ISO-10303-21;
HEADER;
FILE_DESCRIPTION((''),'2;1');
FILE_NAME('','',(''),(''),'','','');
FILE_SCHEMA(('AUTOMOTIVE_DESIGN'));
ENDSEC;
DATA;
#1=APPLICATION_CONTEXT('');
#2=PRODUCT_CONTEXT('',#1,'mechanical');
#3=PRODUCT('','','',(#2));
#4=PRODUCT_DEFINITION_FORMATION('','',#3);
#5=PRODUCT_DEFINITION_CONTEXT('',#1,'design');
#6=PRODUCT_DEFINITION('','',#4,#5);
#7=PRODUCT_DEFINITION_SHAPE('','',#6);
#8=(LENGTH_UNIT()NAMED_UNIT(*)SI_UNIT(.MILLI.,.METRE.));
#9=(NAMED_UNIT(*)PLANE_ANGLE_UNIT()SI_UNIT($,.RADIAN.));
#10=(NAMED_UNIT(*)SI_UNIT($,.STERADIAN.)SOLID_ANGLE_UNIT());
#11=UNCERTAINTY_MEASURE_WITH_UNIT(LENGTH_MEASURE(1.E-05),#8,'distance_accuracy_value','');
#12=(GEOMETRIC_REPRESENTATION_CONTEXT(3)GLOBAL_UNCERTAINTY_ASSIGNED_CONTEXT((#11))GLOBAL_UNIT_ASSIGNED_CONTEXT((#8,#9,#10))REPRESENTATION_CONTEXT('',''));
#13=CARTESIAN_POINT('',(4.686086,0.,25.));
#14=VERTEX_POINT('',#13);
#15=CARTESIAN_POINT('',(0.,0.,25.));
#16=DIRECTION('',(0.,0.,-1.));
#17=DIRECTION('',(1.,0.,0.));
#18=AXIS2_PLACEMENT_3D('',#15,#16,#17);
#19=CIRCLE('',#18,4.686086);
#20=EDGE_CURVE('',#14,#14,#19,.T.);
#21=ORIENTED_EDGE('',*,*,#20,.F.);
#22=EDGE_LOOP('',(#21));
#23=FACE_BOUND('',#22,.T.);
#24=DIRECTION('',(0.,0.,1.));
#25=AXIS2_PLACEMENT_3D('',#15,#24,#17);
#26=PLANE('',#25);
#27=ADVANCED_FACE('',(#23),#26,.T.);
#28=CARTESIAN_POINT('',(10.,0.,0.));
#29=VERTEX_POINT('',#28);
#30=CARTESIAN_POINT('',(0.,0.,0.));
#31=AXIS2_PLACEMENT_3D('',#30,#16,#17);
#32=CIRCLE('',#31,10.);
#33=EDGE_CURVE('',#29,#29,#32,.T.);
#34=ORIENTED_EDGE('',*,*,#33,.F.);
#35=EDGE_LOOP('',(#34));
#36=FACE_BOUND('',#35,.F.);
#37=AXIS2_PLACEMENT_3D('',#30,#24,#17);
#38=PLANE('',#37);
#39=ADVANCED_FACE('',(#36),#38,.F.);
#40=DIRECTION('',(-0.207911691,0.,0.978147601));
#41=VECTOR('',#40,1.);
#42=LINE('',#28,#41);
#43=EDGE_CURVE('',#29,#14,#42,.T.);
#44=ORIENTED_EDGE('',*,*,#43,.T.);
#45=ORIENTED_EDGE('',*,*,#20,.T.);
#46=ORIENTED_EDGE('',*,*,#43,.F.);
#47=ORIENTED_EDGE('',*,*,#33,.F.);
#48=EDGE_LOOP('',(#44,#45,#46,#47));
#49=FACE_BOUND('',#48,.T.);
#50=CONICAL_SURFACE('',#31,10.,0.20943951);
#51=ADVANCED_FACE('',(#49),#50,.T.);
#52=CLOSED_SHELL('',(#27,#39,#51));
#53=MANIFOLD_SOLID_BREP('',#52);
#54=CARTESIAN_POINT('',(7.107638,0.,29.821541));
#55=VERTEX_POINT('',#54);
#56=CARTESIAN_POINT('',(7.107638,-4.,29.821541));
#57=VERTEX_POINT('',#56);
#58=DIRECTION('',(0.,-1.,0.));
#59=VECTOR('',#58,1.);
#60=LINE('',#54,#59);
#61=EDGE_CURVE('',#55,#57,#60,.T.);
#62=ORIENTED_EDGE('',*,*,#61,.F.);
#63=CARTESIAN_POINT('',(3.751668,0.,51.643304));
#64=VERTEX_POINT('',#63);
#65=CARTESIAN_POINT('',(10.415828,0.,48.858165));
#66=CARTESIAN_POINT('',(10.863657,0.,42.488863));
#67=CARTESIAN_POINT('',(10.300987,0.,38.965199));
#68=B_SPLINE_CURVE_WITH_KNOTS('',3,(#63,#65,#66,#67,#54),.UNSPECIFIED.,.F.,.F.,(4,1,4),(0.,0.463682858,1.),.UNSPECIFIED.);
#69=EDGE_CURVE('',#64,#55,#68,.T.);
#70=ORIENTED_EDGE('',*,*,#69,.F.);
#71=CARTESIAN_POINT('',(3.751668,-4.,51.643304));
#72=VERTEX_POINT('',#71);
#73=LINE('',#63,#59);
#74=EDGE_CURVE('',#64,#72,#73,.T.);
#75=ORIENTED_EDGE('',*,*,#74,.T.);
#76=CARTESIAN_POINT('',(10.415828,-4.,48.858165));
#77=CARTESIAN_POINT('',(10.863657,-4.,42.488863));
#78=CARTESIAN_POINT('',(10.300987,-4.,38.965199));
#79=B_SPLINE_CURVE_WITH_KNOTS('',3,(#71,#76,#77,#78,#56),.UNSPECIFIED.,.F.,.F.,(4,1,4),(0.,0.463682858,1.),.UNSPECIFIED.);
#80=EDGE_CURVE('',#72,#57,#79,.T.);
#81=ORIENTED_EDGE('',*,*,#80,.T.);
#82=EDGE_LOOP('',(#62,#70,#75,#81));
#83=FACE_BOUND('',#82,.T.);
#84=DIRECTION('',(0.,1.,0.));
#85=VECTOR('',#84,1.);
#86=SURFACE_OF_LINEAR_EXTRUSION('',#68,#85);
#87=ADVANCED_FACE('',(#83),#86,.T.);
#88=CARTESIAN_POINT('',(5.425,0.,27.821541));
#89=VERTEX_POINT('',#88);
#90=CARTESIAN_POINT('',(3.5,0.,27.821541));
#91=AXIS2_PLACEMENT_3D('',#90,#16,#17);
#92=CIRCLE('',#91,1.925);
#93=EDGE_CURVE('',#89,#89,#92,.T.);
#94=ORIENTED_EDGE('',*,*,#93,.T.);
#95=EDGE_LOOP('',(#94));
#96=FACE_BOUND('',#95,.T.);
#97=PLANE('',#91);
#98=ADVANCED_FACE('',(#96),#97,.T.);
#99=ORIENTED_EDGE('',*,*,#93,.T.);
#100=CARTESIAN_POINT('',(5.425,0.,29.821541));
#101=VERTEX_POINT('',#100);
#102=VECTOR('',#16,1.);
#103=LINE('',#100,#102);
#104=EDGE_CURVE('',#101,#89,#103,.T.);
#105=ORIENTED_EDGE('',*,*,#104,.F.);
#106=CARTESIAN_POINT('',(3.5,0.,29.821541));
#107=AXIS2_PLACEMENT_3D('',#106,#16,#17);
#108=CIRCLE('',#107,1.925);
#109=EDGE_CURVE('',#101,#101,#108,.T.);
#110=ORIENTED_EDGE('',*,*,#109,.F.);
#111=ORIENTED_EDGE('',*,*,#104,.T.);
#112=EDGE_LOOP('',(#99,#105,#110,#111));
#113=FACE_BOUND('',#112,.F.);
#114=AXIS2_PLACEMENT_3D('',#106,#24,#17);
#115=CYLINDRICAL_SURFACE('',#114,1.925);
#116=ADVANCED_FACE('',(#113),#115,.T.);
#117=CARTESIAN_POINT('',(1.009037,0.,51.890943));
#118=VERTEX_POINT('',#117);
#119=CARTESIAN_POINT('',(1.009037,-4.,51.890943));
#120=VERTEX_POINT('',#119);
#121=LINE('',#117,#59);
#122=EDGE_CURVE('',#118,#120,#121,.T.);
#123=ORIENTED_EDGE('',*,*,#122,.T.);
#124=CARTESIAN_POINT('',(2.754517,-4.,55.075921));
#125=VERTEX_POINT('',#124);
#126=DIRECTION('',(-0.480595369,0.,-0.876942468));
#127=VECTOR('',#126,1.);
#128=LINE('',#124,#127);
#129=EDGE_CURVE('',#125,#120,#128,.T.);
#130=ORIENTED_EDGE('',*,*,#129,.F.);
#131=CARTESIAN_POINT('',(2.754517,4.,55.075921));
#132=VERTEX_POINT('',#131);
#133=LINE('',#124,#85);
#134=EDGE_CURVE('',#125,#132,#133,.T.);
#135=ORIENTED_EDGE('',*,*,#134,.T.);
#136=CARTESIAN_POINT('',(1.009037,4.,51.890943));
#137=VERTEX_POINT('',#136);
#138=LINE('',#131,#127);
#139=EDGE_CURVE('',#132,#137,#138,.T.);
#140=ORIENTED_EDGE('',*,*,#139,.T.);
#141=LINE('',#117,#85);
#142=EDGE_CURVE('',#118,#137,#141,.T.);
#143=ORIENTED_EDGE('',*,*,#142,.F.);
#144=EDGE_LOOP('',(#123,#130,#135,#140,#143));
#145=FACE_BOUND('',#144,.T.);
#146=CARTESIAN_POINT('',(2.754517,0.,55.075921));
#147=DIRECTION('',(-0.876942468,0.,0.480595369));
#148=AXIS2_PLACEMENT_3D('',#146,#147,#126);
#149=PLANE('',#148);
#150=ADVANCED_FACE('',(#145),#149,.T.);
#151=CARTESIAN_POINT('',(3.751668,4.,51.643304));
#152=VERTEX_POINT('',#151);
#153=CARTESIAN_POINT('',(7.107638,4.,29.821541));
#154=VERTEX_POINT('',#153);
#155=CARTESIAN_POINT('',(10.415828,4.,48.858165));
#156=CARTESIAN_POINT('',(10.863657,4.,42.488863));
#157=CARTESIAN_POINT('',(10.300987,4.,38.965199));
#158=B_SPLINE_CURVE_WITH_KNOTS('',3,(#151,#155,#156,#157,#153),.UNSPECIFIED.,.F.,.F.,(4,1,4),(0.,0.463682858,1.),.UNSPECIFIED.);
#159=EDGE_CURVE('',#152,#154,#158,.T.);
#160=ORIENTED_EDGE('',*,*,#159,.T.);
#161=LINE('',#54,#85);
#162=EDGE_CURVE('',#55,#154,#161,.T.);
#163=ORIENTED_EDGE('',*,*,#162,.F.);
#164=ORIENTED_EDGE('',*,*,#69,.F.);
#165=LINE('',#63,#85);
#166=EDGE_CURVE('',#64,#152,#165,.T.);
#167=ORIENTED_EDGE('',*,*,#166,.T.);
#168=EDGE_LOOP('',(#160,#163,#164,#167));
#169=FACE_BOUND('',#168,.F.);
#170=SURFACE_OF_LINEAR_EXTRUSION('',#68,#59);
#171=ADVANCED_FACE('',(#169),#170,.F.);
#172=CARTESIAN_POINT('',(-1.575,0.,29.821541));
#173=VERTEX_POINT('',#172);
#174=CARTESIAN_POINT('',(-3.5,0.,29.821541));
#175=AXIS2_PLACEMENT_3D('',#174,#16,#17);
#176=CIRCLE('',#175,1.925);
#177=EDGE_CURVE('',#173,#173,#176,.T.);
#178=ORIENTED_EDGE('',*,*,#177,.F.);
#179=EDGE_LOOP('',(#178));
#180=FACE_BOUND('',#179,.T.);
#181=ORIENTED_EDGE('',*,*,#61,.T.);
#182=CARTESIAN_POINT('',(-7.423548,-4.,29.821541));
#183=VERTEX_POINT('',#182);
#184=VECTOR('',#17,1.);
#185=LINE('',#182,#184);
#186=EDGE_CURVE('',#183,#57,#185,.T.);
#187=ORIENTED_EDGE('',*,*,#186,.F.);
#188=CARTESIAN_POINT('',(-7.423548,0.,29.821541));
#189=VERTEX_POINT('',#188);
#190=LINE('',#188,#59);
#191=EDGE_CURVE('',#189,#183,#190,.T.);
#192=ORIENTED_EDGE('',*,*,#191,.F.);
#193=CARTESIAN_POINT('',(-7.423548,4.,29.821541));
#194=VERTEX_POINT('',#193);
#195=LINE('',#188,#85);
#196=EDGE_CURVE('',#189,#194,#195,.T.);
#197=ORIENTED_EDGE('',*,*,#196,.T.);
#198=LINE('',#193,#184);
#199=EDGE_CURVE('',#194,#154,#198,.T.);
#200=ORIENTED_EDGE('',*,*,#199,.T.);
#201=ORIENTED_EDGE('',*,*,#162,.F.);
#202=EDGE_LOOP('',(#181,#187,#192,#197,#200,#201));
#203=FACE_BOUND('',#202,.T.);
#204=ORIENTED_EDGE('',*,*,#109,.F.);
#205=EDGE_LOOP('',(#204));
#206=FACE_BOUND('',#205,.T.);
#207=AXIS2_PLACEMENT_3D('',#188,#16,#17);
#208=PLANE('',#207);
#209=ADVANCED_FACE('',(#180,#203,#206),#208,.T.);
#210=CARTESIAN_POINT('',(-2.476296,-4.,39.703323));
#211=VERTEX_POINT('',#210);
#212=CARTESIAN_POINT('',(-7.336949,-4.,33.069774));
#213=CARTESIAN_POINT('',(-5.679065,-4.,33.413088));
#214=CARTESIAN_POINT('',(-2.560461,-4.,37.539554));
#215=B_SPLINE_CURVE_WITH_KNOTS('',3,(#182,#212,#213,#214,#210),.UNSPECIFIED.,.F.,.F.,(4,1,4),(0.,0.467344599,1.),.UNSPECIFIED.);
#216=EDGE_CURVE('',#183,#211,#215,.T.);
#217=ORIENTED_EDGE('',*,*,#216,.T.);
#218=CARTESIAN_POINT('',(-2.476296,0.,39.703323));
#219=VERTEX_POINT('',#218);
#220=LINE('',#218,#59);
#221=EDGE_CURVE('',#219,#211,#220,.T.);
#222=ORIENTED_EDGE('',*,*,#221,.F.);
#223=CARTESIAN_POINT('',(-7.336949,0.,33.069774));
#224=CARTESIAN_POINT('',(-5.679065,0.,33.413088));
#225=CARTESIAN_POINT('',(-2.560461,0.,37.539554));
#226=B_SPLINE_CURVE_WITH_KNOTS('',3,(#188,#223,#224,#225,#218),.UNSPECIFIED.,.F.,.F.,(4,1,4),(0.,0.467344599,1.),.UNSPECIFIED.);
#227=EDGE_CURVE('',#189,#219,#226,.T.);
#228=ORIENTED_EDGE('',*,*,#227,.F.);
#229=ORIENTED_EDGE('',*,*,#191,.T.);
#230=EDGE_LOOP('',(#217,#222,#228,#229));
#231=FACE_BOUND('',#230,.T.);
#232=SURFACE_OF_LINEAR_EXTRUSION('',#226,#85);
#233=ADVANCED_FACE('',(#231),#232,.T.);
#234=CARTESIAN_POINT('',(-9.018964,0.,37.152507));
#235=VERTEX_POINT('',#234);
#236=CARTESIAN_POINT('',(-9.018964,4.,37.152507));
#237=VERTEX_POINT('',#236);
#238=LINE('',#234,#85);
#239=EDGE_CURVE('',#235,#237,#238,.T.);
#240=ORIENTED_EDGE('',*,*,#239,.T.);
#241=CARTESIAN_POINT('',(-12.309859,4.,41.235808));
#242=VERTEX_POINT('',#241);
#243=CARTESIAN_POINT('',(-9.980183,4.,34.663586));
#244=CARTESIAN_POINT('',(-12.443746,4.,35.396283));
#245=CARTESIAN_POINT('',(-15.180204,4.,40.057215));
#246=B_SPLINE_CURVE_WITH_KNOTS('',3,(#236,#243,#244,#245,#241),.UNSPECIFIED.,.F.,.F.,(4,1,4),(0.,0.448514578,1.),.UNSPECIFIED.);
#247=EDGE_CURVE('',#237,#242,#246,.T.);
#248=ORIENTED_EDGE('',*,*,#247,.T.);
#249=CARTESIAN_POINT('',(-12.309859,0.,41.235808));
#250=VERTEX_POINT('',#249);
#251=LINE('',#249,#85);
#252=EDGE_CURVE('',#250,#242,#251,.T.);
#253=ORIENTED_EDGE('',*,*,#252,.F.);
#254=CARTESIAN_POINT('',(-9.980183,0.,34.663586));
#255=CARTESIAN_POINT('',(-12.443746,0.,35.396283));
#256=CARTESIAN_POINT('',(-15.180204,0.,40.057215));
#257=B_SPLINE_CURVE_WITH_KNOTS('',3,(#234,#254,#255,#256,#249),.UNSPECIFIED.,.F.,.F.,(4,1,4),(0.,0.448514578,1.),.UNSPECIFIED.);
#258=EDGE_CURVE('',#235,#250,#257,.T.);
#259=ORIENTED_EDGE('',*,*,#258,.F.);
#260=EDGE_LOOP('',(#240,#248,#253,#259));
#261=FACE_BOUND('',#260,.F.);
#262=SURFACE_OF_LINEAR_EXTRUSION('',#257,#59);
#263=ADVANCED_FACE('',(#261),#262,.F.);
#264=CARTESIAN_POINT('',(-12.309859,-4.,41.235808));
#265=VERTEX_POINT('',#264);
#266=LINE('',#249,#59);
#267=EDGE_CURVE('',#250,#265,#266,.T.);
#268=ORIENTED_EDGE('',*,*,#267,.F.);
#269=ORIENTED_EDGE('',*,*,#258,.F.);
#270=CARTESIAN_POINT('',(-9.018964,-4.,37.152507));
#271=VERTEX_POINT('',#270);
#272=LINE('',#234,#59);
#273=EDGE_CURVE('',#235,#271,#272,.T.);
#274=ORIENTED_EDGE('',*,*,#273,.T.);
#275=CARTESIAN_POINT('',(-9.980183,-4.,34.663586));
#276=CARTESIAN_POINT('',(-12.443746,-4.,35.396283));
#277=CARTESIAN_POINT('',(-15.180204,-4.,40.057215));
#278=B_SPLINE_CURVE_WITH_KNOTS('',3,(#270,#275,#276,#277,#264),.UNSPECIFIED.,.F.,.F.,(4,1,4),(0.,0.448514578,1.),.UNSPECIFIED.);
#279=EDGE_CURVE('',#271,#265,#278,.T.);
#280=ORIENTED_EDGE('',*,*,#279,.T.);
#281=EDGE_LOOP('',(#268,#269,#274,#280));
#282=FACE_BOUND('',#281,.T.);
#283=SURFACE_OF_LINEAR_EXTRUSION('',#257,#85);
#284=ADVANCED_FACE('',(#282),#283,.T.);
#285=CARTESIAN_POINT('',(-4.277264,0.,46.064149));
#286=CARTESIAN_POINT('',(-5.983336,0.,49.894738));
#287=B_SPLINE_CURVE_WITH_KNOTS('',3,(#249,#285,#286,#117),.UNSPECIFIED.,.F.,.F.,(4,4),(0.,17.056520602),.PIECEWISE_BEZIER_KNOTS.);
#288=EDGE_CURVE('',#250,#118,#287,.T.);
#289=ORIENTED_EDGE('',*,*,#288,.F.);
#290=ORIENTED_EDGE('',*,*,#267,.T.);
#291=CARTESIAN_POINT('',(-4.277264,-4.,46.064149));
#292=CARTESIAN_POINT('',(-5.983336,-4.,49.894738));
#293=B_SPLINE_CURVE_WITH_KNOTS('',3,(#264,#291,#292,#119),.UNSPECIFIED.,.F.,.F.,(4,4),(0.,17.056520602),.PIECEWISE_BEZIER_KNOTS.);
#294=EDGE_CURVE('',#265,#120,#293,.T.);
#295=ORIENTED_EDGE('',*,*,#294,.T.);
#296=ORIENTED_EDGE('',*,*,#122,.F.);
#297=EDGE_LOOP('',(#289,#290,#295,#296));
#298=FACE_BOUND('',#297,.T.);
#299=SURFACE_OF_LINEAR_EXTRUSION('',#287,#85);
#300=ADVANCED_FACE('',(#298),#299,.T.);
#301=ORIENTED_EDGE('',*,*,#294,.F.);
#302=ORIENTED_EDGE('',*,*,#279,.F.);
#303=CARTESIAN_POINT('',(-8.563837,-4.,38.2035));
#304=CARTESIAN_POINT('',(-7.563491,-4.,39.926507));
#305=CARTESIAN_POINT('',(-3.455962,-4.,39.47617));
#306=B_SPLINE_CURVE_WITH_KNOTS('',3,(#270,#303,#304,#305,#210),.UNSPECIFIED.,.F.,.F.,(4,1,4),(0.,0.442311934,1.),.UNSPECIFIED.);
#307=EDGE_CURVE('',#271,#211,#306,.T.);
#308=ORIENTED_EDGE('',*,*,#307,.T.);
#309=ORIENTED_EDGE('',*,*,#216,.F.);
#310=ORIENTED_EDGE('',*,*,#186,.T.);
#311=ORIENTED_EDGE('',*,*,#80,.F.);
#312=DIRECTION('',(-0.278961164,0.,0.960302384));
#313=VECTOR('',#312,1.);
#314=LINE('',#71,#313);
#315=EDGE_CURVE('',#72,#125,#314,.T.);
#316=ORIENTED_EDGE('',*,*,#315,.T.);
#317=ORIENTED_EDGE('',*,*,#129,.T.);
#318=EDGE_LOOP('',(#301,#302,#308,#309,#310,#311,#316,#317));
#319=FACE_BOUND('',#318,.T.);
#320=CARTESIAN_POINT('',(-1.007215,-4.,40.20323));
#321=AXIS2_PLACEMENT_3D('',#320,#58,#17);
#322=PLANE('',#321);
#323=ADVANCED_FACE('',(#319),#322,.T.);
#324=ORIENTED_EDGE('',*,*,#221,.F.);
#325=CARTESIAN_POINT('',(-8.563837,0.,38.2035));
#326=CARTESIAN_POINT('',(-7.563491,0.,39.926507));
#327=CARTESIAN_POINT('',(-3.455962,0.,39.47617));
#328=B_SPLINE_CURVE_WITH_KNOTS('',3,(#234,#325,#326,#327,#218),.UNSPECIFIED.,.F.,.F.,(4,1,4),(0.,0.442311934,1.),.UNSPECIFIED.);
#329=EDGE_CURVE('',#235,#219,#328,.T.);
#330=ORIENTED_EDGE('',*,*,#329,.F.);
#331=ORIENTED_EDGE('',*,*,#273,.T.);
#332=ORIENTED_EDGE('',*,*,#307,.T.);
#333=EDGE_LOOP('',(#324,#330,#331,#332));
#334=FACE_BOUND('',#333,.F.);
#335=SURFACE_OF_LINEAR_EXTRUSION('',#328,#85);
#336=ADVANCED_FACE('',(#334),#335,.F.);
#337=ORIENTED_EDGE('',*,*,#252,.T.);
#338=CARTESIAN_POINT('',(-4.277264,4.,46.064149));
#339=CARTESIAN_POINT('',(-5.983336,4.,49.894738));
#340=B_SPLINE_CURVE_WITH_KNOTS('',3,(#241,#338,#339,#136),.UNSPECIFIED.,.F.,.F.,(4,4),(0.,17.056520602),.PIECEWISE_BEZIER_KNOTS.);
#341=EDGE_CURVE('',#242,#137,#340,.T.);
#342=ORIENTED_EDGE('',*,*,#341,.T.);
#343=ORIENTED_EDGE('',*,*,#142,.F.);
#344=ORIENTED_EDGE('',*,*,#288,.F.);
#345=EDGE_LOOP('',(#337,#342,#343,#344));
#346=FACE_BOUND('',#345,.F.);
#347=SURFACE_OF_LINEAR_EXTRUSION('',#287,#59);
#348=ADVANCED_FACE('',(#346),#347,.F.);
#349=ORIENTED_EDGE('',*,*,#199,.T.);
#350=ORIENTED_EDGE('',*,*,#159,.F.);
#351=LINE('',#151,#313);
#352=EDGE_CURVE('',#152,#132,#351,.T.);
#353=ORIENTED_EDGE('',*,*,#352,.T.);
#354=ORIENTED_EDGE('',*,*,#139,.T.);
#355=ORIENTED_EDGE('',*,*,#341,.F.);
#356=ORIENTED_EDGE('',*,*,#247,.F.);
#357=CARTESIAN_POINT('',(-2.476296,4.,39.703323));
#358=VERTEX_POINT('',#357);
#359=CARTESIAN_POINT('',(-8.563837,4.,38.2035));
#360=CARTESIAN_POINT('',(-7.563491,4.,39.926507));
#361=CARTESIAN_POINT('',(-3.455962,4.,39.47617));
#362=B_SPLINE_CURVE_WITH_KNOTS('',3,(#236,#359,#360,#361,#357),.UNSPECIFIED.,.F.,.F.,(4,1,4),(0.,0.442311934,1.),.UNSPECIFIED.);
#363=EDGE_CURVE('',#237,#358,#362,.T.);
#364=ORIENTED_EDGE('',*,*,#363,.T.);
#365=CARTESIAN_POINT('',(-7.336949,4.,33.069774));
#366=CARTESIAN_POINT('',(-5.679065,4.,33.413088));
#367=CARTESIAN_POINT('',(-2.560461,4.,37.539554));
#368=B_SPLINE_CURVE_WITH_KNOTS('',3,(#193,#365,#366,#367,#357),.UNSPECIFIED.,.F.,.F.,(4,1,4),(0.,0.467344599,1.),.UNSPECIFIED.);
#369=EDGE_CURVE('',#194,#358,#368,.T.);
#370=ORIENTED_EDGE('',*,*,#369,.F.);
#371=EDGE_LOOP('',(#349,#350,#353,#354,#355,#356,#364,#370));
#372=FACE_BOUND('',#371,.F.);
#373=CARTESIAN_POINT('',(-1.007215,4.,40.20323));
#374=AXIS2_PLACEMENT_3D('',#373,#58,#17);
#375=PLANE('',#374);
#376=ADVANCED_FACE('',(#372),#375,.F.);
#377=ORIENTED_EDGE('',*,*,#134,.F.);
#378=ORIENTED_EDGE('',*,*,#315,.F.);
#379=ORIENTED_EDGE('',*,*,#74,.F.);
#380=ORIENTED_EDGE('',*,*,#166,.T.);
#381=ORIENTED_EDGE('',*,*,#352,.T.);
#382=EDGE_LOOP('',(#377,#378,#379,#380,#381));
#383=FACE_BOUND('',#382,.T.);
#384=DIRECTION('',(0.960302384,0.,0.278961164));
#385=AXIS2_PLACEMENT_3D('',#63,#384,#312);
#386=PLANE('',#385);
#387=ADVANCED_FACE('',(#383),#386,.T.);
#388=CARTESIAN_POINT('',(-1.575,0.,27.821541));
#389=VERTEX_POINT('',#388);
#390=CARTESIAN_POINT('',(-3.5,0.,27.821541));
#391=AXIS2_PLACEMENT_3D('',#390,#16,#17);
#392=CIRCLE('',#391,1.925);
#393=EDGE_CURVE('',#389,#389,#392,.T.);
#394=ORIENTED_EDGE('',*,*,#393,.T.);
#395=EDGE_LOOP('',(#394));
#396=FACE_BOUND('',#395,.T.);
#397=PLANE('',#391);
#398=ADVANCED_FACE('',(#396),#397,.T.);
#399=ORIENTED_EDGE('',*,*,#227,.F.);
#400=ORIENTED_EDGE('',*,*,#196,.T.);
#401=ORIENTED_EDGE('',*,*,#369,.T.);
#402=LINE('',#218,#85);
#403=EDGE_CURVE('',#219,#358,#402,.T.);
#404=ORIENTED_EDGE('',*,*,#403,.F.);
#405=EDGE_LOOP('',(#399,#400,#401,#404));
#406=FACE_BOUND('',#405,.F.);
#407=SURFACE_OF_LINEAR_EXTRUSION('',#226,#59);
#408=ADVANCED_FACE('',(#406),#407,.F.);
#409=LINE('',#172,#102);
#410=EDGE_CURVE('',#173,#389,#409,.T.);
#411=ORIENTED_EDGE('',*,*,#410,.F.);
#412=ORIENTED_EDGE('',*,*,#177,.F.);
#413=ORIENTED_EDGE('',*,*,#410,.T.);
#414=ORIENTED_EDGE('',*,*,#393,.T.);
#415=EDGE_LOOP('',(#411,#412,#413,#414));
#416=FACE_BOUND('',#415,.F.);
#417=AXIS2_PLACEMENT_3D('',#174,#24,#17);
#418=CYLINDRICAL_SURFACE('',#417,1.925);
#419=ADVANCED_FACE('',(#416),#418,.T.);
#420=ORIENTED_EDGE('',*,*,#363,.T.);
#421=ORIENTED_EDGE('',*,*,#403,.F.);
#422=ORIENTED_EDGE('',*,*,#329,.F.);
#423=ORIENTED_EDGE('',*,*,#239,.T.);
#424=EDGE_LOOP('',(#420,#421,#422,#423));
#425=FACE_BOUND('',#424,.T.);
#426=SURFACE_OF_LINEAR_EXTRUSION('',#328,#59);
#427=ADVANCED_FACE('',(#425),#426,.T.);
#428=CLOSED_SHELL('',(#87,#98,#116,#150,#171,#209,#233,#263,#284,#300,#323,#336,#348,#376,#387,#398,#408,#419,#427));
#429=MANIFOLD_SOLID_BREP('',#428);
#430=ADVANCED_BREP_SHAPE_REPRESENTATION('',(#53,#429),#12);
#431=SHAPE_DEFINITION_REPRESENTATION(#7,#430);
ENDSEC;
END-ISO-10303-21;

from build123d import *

# Parameters (mm, degrees)
F3_R     = 10
F4_DEPTH = 25
F4_TAPER = 12
F6_DEPTH = 4
F7_R     = 1.925
F8_DEPTH = 2


with BuildPart() as f4:
    # F3 (on Top) → F4 (new body)
    with BuildSketch(Plane.XY):
        Circle(F3_R)
    extrude(amount=F4_DEPTH, taper=F4_TAPER)


with BuildPart() as f6:
    # F5 (on Front) → F6 (new body, symmetric)
    with BuildSketch(Plane.XZ):
        with BuildLine():
            Line((2.7545168996, 55.0759210778), (1.0090367869, 51.890943159))
            add(Edge.make_bspline(
                [(-12.3098591853, 41.2358080065), (-4.2772642086, 46.0641489872), (-5.9833362078, 49.8947376602), (1.0090367869, 51.890943159)],
                knots=[0, 0, 0, 0, 17.0565206016, 17.0565206016, 17.0565206016, 17.0565206016], degree=3))
            add(Edge.make_bspline(
                [(-9.0189639417, 37.1525069193), (-9.9801826199, 34.6635860085), (-12.4437455483, 35.3962825063), (-15.1802037206, 40.0572151531), (-12.3098591853, 41.2358080065)],
                knots=[0, 0, 0, 0, 0.4485145781, 1, 1, 1, 1], degree=3))
            add(Edge.make_bspline(
                [(-9.0189639417, 37.1525069193), (-8.5638371082, 38.2034996324), (-7.5634908743, 39.9265074419), (-3.4559620028, 39.4761695976), (-2.4762957511, 39.7033232817)],
                knots=[0, 0, 0, 0, 0.4423119337, 1, 1, 1, 1], degree=3))
            add(Edge.make_bspline(
                [(-7.4235480266, 29.8215409847), (-7.3369486536, 33.0697739436), (-5.6790646776, 33.4130882805), (-2.5604610159, 37.5395536743), (-2.4762957511, 39.7033232817)],
                knots=[0, 0, 0, 0, 0.4673445989, 1, 1, 1, 1], degree=3))
            Line((-7.4235480266, 29.8215409847), (7.107638139, 29.8215409847))
            add(Edge.make_bspline(
                [(3.7516681477, 51.6433044864), (10.4158277179, 48.8581646653), (10.8636567466, 42.4888634106), (10.3009866199, 38.9651989585), (7.107638139, 29.8215409847)],
                knots=[0, 0, 0, 0, 0.4636828584, 1, 1, 1, 1], degree=3))
            Line((3.7516681477, 51.6433044864), (2.7545168996, 55.0759210778))
        make_face()
    extrude(amount=F6_DEPTH, both=True)

    # F7 (on face) → F8 (join)
    with BuildSketch(Plane(origin=(0, 0, 29.8215409847), x_dir=(1, 0, 0), z_dir=(0, 0, -1))):
        with Locations((-3.5, 0)):
            Circle(F7_R)
        with Locations((3.5, 0)):
            Circle(F7_R)
    extrude(amount=F8_DEPTH)


solid = Compound([f4.part, f6.part])
